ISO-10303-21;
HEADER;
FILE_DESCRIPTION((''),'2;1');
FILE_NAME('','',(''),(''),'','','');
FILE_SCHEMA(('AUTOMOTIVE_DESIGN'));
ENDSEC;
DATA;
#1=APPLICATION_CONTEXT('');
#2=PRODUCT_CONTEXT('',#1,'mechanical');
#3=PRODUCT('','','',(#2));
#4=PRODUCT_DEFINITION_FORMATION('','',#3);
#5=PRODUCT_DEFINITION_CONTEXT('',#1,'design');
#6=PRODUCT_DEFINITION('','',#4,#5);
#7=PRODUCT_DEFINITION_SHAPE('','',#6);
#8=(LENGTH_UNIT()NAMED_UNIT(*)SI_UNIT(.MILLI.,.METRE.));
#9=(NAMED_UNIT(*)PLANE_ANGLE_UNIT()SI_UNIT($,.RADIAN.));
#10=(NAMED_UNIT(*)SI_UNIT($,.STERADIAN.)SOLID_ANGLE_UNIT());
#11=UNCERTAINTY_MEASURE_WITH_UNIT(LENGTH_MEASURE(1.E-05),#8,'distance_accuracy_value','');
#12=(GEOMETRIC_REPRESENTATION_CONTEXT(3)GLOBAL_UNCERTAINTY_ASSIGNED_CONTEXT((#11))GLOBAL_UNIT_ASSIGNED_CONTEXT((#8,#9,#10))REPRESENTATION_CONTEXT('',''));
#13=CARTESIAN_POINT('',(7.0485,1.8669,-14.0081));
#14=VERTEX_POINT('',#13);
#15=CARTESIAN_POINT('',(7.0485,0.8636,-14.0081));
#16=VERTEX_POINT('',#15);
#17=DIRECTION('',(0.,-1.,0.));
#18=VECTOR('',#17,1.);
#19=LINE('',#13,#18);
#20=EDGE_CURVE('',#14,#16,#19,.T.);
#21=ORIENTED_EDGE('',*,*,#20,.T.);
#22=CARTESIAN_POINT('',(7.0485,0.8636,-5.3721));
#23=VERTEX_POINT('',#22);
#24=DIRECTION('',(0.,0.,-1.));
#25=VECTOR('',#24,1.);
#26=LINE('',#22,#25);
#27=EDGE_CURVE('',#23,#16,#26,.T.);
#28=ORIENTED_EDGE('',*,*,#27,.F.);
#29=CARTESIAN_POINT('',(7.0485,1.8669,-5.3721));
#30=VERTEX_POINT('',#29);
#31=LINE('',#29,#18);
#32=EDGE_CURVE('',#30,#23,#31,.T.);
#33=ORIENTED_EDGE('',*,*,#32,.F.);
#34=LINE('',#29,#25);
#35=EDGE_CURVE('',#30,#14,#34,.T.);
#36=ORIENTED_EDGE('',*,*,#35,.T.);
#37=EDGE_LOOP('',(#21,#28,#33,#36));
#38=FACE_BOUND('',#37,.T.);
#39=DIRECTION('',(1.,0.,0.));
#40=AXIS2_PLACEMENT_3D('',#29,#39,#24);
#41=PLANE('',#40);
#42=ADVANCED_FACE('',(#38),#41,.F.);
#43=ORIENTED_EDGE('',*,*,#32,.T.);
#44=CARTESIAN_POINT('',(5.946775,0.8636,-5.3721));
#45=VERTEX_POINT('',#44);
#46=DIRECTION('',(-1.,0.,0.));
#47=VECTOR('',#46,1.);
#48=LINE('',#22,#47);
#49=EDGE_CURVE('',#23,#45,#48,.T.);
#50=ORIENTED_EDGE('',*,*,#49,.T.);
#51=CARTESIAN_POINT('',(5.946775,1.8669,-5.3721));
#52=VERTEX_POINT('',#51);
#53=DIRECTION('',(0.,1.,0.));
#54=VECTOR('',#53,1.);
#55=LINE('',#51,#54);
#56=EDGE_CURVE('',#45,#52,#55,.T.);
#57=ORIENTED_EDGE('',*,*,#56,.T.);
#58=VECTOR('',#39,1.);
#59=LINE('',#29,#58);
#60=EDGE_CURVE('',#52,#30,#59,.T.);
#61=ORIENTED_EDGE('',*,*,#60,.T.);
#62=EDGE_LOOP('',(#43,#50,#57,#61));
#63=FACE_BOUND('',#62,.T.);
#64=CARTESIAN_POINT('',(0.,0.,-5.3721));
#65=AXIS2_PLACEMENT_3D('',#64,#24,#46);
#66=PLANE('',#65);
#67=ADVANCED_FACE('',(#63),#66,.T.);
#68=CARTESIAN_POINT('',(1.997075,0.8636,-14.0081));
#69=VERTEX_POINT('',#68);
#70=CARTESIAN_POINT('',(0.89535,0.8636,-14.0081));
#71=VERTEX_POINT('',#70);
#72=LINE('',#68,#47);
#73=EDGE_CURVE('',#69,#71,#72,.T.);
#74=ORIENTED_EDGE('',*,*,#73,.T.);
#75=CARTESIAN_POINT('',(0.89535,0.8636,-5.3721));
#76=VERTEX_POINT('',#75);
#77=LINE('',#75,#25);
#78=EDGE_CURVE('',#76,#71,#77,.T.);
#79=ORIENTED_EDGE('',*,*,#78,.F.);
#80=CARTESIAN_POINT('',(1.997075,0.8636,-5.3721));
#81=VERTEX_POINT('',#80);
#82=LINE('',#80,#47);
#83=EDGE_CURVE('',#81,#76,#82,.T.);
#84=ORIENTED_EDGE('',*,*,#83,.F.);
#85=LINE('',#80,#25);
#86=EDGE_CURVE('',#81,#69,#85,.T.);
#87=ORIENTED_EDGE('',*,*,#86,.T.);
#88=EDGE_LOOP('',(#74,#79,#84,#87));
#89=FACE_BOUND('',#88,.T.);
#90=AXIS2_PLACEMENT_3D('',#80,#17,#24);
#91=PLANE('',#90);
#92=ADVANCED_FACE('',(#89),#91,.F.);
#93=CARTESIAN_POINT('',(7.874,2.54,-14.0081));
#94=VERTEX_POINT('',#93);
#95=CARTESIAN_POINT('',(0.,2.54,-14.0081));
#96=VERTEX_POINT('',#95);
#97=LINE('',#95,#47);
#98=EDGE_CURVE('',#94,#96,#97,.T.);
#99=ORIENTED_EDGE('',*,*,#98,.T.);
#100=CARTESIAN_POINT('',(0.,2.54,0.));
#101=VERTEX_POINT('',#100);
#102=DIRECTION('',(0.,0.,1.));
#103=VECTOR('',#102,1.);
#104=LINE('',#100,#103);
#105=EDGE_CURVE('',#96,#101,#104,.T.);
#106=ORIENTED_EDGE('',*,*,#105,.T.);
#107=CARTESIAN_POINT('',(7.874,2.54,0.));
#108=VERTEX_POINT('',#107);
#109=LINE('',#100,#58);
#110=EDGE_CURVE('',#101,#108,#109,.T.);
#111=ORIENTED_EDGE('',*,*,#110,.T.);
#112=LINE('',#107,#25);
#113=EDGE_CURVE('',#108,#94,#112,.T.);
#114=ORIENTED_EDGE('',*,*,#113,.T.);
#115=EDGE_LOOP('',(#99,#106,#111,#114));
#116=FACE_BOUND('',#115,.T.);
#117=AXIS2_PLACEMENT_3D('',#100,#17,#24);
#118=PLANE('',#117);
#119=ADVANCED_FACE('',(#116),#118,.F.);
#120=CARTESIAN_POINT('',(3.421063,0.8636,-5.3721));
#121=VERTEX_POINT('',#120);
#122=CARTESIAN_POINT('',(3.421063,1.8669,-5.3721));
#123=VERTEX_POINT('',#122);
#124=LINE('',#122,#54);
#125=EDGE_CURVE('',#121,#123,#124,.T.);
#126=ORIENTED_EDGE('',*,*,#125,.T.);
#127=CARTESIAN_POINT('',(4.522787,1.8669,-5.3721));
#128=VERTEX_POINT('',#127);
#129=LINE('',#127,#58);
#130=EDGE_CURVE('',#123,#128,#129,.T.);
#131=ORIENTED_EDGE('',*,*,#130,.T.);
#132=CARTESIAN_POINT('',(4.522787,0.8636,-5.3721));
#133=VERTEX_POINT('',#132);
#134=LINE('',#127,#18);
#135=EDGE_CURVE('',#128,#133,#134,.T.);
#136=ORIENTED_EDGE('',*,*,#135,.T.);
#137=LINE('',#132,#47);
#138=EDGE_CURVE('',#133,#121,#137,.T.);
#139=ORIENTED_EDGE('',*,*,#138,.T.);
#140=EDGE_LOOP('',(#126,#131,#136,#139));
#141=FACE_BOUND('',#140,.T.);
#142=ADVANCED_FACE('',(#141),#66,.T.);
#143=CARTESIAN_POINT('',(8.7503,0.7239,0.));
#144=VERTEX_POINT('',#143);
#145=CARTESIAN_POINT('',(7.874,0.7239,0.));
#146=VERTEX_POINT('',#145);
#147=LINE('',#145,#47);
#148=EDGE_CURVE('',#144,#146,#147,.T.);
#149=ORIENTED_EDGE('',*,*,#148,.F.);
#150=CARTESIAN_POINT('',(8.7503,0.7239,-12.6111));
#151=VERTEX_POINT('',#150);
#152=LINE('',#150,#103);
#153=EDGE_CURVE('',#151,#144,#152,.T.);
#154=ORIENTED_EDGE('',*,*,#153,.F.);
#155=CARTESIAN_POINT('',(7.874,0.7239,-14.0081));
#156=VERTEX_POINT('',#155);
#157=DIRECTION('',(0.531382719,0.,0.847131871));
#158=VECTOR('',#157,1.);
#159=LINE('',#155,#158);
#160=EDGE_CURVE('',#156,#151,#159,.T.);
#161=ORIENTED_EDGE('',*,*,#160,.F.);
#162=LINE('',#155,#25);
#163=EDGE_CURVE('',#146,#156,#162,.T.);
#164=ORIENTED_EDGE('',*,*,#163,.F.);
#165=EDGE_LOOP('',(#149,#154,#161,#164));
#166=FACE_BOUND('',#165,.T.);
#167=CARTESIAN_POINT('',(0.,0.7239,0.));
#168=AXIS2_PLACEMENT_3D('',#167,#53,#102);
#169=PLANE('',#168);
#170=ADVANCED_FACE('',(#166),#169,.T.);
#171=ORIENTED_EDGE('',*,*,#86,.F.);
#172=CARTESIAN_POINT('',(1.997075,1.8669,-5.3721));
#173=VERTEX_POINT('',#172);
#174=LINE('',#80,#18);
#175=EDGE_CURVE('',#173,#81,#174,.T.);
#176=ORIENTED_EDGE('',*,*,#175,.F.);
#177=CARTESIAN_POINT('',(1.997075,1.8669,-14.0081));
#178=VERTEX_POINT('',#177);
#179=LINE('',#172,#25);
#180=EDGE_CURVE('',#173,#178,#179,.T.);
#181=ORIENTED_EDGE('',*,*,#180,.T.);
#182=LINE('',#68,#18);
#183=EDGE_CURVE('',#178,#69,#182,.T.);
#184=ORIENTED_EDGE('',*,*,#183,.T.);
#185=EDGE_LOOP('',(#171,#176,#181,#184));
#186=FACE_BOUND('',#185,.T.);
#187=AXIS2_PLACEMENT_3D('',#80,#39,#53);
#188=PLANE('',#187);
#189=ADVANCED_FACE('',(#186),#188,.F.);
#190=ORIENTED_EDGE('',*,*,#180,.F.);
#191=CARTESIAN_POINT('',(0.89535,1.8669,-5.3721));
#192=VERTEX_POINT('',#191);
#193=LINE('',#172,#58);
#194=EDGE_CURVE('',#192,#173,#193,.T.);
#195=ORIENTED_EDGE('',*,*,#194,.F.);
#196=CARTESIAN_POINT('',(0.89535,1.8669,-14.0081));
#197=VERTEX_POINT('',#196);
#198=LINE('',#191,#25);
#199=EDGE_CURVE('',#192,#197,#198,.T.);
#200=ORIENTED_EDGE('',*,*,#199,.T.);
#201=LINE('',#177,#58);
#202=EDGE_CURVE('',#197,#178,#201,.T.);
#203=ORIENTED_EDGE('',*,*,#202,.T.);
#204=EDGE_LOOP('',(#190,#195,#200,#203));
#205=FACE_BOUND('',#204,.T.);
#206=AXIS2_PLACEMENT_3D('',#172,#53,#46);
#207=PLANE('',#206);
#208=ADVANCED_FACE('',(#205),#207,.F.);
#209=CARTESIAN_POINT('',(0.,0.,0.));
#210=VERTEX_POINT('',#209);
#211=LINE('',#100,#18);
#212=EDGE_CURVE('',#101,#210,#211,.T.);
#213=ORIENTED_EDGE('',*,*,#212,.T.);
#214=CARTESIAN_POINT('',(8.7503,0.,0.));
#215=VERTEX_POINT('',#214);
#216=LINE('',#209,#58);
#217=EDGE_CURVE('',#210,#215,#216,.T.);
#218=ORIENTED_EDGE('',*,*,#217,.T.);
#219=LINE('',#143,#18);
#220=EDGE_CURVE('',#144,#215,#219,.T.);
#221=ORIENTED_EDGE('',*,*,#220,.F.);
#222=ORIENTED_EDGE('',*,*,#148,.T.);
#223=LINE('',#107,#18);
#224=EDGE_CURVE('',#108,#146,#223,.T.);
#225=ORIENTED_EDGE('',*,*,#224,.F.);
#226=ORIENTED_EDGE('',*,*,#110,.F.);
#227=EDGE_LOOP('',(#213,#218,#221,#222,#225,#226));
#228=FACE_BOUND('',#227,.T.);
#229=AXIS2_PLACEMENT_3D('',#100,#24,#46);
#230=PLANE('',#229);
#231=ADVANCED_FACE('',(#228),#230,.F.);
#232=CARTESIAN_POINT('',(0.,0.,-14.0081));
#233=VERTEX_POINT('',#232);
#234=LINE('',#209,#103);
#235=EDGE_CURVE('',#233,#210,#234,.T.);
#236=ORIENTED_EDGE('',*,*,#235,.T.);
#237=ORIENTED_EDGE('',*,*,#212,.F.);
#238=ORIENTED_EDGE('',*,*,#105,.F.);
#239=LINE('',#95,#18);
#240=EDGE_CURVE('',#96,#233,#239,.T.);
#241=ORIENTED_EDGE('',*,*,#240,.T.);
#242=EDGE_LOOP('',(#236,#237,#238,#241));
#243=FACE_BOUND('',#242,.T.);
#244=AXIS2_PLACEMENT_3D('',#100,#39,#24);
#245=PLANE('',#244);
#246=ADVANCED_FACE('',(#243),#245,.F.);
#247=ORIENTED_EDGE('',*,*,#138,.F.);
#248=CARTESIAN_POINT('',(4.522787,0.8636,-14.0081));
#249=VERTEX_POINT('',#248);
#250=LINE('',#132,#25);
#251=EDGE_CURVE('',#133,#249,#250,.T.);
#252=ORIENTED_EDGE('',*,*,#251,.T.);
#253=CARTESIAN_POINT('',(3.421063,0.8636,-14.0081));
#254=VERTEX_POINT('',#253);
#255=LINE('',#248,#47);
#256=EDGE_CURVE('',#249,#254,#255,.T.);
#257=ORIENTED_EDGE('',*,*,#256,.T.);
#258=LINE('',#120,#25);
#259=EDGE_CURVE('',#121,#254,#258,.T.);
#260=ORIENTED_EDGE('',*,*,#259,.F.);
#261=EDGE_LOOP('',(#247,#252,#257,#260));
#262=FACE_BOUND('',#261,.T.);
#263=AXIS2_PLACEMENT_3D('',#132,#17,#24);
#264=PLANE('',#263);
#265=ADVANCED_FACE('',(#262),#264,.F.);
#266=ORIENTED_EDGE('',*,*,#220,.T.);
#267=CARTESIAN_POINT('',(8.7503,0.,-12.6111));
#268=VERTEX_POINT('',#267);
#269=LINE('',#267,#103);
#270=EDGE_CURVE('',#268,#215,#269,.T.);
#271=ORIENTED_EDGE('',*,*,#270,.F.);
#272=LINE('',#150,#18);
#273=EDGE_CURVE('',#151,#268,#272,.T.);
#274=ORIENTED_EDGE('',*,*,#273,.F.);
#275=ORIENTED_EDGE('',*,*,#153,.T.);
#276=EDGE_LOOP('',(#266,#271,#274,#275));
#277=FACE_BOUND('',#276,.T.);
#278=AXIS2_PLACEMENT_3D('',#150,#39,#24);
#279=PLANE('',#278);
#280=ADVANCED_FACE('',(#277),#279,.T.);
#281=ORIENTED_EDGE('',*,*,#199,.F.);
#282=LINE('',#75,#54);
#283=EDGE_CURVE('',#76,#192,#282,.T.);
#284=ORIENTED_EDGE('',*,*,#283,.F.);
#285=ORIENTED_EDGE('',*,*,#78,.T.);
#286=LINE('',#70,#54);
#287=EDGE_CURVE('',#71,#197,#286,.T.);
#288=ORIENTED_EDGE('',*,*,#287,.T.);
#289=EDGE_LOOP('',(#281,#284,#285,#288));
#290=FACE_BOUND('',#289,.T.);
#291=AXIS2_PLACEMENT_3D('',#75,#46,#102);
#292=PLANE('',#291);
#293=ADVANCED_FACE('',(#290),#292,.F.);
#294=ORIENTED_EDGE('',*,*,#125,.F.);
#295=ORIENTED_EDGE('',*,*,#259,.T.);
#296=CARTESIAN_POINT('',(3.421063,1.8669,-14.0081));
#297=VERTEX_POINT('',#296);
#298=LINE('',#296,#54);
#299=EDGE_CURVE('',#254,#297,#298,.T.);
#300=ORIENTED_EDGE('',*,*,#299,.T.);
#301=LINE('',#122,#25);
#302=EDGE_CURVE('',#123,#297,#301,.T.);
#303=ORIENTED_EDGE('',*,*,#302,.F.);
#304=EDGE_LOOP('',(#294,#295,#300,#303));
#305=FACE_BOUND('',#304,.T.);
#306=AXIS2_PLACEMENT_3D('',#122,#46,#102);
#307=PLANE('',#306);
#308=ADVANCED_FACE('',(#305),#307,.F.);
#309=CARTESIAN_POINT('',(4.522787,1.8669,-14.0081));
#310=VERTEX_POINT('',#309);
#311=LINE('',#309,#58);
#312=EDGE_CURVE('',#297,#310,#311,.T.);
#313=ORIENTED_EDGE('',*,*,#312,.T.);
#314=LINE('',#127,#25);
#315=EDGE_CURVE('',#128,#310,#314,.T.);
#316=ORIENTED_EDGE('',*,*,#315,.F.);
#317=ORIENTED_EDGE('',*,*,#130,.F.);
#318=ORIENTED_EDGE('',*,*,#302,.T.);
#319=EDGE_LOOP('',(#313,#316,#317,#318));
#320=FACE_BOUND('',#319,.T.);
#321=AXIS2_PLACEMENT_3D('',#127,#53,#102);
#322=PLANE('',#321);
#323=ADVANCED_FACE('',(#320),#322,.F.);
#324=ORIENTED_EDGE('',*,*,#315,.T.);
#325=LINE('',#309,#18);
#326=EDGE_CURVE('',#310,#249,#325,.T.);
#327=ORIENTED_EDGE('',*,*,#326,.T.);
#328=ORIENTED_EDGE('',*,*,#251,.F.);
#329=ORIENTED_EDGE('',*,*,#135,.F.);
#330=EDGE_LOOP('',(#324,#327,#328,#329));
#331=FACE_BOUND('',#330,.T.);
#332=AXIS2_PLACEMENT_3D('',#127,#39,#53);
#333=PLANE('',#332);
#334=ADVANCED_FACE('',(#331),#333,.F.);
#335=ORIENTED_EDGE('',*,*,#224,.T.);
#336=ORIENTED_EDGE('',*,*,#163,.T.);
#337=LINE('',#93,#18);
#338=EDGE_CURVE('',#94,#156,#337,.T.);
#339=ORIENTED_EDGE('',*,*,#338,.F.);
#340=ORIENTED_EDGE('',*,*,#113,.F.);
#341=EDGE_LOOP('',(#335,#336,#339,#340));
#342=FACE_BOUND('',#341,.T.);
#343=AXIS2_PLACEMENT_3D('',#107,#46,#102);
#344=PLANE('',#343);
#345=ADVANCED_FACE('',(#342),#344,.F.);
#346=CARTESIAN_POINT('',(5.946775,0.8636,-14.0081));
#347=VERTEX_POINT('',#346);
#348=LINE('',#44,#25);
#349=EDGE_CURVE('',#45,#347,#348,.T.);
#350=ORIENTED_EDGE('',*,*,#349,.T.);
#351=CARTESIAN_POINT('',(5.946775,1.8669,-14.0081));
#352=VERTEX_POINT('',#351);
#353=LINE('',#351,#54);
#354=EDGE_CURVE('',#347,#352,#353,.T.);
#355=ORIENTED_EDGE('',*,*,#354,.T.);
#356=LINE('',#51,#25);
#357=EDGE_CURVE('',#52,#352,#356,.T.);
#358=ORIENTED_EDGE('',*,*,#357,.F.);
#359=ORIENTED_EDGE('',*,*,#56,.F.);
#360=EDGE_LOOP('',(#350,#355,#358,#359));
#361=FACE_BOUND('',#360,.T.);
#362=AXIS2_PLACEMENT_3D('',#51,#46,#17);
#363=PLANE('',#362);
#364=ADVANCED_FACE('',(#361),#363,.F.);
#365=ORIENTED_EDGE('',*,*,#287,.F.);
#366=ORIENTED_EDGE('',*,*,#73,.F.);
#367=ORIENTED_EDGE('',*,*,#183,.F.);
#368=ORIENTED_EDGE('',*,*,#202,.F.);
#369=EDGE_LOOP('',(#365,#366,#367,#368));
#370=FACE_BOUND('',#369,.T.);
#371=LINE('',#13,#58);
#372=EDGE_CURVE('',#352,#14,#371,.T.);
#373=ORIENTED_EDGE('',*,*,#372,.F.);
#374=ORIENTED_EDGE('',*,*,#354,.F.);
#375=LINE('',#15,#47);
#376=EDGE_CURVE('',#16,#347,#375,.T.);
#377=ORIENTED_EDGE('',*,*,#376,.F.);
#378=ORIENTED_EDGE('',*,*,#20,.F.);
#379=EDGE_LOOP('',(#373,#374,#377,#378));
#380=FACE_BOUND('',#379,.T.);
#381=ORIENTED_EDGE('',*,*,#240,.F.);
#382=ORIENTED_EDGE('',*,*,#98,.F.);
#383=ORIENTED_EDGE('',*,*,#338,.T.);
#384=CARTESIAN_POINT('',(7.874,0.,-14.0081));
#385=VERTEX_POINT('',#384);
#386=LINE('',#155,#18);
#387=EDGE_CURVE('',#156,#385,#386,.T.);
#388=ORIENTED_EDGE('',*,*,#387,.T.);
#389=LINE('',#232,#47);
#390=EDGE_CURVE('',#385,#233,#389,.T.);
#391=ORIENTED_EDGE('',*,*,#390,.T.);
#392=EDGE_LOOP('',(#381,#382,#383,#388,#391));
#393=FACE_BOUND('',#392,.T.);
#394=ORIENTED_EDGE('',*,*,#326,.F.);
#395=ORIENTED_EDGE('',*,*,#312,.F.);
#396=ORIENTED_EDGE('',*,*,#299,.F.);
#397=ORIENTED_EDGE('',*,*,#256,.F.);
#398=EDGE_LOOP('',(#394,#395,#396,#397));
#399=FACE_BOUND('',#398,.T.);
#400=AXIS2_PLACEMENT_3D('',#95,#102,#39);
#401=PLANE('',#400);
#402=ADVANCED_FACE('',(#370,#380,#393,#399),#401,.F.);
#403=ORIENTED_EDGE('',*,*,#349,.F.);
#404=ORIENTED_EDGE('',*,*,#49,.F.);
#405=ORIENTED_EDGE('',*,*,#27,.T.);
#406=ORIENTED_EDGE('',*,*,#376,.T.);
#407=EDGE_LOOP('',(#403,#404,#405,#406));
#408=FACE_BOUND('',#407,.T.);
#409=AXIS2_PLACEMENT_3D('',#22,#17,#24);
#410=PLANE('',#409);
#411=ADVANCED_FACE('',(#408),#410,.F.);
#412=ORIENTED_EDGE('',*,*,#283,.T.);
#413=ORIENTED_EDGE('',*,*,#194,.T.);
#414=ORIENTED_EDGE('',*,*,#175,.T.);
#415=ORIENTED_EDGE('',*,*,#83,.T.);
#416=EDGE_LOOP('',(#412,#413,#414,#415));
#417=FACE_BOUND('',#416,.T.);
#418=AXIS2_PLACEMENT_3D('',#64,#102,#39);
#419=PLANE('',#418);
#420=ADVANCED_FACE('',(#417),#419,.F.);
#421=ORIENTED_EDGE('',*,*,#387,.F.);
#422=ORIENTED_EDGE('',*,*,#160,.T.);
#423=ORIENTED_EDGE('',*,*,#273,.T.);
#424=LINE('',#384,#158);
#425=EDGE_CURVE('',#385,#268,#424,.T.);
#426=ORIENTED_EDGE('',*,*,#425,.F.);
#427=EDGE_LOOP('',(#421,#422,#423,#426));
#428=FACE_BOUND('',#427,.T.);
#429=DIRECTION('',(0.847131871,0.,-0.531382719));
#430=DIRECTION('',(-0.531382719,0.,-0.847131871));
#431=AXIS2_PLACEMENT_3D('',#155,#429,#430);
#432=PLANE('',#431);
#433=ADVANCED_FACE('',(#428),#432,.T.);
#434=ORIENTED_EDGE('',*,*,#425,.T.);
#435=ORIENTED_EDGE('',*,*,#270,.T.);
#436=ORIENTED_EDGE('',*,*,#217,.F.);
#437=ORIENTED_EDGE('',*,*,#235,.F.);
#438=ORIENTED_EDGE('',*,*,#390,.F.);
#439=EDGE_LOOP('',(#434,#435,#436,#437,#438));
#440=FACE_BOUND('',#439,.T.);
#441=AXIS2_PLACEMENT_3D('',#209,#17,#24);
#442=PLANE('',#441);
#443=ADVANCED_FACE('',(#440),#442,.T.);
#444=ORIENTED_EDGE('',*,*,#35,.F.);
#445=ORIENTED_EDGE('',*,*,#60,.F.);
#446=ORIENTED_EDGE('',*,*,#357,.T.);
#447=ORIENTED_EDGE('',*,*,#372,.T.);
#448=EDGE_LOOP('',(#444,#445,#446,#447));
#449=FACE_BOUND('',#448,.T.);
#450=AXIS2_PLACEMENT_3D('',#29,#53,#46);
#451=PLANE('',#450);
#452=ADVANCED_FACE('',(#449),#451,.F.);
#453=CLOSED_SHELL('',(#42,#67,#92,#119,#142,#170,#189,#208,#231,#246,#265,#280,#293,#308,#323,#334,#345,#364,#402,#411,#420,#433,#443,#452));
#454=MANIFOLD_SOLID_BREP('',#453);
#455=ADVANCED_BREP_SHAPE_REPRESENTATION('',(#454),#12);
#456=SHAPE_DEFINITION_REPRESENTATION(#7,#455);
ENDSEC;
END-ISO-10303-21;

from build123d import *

# Parameters (mm, degrees)
SKETCH1_W           = 7.874
SKETCH1_H           = 14.0081
BOSS_EXTRUDE1_DEPTH = 2.54
SKETCH2_W           = 1.101725
SKETCH2_H           = 1.0033
CUT_EXTRUDE1_DEPTH  = 8.636
BOSS_EXTRUDE3_DEPTH = 0.7239


with BuildPart() as part:
    # Sketch1 → Boss-Extrude1 (new body)
    with BuildSketch(Plane(origin=(0, 0, 0), x_dir=(1, 0, 0), z_dir=(0, 1, 0))):
        with Locations((3.937, 7.00405)):
            Rectangle(SKETCH1_W, SKETCH1_H)
    extrude(amount=BOSS_EXTRUDE1_DEPTH)

    # Sketch2 → Cut-Extrude1 (cut)
    with BuildSketch(Plane(origin=(0, 0, -14.0081), x_dir=(-1, 0, 0), z_dir=(0, 0, -1))):
        with Locations((-6.4976375, 1.36525)):
            Rectangle(SKETCH2_W, SKETCH2_H)
        with Locations((-3.971925, 1.36525)):
            Rectangle(SKETCH2_W, SKETCH2_H)
        with Locations((-1.4462125, 1.36525)):
            Rectangle(SKETCH2_W, SKETCH2_H)
    extrude(amount=-CUT_EXTRUDE1_DEPTH, mode=Mode.SUBTRACT)

    # Sketch5 → Boss-Extrude3 (add)
    with BuildSketch(Plane.XZ):
        Polygon((7.874, -14.0081), (7.874, 0), (8.7503, 0), (8.7503, -12.6111), align=None)
    extrude(amount=-BOSS_EXTRUDE3_DEPTH)


solid = part.part
